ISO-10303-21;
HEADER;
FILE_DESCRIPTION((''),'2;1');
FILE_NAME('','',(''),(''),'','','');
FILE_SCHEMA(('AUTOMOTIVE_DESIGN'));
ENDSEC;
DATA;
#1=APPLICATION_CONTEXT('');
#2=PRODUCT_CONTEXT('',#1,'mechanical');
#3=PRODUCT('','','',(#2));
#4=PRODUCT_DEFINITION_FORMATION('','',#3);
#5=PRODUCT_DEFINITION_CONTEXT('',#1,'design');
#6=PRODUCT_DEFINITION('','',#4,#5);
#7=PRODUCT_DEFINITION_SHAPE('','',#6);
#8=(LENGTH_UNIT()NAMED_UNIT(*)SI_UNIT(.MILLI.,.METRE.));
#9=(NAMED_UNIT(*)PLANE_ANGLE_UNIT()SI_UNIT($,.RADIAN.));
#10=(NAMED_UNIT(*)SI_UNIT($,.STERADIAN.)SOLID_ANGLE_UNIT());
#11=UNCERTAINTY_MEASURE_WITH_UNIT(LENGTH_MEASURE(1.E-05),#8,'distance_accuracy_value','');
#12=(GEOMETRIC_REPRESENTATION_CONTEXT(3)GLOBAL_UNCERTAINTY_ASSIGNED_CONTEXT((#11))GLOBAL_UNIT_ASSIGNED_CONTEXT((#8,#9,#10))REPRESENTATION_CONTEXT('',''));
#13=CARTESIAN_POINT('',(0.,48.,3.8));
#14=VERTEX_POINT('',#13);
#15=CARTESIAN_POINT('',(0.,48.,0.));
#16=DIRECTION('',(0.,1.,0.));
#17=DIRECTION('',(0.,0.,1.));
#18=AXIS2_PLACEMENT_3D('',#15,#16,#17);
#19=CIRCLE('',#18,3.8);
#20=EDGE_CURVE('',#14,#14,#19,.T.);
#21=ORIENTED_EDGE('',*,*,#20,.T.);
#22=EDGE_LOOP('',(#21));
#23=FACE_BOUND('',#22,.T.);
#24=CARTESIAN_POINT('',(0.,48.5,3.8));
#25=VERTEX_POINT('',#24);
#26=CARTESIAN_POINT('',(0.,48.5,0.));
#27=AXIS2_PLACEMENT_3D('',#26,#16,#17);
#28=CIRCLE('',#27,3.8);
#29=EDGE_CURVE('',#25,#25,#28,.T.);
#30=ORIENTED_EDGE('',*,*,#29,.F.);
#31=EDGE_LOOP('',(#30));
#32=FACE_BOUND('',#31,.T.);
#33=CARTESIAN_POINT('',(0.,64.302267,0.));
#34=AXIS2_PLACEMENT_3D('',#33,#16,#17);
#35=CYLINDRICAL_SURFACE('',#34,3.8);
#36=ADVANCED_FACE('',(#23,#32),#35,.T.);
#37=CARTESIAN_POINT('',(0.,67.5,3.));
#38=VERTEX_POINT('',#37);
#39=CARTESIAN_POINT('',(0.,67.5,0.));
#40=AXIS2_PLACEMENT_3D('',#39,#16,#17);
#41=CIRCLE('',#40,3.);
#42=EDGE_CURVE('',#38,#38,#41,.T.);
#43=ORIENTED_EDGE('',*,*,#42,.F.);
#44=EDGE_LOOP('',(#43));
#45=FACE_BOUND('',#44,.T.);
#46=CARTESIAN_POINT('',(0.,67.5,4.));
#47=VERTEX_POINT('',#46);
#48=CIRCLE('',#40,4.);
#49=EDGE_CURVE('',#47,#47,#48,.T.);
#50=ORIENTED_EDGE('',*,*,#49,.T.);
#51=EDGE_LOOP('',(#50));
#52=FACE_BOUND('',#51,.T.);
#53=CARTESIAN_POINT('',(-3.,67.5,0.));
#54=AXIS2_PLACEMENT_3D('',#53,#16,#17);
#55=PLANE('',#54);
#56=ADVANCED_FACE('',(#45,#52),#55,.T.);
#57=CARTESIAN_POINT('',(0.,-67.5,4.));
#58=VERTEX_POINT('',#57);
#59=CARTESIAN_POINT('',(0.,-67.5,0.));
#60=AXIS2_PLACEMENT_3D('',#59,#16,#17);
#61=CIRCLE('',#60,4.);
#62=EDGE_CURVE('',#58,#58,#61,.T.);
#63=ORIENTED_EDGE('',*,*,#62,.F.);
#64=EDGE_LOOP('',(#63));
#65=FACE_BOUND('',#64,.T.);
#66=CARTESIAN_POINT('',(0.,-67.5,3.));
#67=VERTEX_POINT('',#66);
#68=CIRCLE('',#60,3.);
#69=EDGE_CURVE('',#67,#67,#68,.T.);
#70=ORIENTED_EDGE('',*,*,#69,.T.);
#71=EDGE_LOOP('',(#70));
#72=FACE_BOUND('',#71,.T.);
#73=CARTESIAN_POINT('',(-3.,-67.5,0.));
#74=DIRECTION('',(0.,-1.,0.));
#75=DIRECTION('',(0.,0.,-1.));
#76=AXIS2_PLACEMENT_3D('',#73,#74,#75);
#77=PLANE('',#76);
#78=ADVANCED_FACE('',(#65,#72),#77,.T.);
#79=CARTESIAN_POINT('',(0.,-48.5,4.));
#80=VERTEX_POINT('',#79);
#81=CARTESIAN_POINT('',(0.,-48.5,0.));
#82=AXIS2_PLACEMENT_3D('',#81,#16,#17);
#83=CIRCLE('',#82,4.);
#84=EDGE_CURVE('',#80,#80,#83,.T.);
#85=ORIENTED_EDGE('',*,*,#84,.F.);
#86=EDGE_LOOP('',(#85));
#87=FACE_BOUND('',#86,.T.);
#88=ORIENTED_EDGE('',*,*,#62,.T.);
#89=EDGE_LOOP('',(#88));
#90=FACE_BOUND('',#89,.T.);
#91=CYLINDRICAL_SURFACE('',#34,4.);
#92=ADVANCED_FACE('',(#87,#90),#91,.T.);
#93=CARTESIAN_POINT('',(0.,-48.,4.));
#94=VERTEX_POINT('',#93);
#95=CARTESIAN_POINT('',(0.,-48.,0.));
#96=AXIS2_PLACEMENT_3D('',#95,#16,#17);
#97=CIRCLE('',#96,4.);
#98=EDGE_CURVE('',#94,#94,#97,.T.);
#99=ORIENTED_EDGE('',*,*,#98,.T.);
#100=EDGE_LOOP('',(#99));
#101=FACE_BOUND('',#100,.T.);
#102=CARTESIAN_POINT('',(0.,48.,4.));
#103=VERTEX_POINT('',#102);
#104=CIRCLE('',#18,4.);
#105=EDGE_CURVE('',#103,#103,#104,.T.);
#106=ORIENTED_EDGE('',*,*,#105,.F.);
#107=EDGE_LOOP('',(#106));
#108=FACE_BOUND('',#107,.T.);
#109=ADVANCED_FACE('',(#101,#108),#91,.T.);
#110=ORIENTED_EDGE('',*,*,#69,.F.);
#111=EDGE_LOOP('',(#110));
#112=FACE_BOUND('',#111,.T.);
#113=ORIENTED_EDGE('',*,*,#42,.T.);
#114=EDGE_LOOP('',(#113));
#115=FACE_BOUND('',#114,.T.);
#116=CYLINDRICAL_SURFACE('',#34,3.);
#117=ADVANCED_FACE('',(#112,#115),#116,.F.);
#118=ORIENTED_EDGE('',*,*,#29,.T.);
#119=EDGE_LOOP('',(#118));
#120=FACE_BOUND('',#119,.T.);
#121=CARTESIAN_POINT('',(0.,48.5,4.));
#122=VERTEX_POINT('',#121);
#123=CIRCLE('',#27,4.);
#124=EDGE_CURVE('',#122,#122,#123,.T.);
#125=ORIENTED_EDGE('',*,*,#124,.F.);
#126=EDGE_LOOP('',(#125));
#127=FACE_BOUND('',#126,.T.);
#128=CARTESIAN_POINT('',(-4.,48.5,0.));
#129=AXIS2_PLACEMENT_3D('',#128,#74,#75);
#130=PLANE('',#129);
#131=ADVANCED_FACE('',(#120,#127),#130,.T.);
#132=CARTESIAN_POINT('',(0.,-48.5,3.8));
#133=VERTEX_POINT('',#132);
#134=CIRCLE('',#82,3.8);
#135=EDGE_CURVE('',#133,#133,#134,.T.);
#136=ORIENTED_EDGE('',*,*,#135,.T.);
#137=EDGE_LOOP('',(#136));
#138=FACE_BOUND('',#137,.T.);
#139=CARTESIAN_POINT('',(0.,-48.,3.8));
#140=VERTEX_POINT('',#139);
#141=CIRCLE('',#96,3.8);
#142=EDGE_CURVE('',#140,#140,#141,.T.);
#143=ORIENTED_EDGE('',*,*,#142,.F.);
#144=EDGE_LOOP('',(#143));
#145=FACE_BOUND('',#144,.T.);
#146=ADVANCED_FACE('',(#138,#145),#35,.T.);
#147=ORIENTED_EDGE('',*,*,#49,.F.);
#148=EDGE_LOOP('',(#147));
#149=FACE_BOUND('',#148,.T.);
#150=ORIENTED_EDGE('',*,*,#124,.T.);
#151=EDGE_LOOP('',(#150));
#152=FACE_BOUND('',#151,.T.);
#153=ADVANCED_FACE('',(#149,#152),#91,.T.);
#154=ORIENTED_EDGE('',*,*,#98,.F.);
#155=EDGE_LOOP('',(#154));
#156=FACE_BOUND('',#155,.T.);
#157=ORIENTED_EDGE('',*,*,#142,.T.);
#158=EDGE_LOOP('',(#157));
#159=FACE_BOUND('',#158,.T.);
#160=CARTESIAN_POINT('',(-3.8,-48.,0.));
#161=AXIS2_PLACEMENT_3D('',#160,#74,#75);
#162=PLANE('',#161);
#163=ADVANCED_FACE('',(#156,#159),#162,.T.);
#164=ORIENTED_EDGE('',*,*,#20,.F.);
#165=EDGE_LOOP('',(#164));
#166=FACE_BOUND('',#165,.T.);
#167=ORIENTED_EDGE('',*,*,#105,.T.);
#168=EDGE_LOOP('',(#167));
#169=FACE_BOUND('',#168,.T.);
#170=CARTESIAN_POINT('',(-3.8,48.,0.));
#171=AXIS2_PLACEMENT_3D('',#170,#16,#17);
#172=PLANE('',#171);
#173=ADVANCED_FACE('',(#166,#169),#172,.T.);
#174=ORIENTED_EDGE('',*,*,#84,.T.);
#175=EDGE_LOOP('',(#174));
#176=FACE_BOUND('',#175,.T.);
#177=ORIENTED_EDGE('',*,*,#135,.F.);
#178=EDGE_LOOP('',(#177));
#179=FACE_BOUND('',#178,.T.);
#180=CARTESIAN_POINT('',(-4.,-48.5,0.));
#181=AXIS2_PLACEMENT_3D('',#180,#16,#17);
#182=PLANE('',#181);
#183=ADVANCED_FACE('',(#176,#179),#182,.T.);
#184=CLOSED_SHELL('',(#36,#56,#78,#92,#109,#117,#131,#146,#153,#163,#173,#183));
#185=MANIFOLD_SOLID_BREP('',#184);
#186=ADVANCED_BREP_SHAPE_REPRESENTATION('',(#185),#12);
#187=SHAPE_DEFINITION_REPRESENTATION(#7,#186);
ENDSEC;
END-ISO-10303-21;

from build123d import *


with BuildPart() as part:
    # Sketch1 → Revolve2 (revolve)
    with BuildSketch(Plane.XY, mode=Mode.PRIVATE) as revolve2_sk:
        Polygon((-3, 67.5), (-4, 67.5), (-4, 48.5), (-3.8, 48.5), (-3.8, 48), (-4, 48), (-4, -48), (-3.8, -48), (-3.8, -48.5), (-4, -48.5), (-4, -67.5), (-3, -67.5), align=None)
    revolve(revolve2_sk.sketch.rotate(Axis((0, 64.302267184, 0), (0, -1, 0)), 270), axis=Axis((0, 64.302267184, 0), (0, -1, 0)))


solid = part.part
